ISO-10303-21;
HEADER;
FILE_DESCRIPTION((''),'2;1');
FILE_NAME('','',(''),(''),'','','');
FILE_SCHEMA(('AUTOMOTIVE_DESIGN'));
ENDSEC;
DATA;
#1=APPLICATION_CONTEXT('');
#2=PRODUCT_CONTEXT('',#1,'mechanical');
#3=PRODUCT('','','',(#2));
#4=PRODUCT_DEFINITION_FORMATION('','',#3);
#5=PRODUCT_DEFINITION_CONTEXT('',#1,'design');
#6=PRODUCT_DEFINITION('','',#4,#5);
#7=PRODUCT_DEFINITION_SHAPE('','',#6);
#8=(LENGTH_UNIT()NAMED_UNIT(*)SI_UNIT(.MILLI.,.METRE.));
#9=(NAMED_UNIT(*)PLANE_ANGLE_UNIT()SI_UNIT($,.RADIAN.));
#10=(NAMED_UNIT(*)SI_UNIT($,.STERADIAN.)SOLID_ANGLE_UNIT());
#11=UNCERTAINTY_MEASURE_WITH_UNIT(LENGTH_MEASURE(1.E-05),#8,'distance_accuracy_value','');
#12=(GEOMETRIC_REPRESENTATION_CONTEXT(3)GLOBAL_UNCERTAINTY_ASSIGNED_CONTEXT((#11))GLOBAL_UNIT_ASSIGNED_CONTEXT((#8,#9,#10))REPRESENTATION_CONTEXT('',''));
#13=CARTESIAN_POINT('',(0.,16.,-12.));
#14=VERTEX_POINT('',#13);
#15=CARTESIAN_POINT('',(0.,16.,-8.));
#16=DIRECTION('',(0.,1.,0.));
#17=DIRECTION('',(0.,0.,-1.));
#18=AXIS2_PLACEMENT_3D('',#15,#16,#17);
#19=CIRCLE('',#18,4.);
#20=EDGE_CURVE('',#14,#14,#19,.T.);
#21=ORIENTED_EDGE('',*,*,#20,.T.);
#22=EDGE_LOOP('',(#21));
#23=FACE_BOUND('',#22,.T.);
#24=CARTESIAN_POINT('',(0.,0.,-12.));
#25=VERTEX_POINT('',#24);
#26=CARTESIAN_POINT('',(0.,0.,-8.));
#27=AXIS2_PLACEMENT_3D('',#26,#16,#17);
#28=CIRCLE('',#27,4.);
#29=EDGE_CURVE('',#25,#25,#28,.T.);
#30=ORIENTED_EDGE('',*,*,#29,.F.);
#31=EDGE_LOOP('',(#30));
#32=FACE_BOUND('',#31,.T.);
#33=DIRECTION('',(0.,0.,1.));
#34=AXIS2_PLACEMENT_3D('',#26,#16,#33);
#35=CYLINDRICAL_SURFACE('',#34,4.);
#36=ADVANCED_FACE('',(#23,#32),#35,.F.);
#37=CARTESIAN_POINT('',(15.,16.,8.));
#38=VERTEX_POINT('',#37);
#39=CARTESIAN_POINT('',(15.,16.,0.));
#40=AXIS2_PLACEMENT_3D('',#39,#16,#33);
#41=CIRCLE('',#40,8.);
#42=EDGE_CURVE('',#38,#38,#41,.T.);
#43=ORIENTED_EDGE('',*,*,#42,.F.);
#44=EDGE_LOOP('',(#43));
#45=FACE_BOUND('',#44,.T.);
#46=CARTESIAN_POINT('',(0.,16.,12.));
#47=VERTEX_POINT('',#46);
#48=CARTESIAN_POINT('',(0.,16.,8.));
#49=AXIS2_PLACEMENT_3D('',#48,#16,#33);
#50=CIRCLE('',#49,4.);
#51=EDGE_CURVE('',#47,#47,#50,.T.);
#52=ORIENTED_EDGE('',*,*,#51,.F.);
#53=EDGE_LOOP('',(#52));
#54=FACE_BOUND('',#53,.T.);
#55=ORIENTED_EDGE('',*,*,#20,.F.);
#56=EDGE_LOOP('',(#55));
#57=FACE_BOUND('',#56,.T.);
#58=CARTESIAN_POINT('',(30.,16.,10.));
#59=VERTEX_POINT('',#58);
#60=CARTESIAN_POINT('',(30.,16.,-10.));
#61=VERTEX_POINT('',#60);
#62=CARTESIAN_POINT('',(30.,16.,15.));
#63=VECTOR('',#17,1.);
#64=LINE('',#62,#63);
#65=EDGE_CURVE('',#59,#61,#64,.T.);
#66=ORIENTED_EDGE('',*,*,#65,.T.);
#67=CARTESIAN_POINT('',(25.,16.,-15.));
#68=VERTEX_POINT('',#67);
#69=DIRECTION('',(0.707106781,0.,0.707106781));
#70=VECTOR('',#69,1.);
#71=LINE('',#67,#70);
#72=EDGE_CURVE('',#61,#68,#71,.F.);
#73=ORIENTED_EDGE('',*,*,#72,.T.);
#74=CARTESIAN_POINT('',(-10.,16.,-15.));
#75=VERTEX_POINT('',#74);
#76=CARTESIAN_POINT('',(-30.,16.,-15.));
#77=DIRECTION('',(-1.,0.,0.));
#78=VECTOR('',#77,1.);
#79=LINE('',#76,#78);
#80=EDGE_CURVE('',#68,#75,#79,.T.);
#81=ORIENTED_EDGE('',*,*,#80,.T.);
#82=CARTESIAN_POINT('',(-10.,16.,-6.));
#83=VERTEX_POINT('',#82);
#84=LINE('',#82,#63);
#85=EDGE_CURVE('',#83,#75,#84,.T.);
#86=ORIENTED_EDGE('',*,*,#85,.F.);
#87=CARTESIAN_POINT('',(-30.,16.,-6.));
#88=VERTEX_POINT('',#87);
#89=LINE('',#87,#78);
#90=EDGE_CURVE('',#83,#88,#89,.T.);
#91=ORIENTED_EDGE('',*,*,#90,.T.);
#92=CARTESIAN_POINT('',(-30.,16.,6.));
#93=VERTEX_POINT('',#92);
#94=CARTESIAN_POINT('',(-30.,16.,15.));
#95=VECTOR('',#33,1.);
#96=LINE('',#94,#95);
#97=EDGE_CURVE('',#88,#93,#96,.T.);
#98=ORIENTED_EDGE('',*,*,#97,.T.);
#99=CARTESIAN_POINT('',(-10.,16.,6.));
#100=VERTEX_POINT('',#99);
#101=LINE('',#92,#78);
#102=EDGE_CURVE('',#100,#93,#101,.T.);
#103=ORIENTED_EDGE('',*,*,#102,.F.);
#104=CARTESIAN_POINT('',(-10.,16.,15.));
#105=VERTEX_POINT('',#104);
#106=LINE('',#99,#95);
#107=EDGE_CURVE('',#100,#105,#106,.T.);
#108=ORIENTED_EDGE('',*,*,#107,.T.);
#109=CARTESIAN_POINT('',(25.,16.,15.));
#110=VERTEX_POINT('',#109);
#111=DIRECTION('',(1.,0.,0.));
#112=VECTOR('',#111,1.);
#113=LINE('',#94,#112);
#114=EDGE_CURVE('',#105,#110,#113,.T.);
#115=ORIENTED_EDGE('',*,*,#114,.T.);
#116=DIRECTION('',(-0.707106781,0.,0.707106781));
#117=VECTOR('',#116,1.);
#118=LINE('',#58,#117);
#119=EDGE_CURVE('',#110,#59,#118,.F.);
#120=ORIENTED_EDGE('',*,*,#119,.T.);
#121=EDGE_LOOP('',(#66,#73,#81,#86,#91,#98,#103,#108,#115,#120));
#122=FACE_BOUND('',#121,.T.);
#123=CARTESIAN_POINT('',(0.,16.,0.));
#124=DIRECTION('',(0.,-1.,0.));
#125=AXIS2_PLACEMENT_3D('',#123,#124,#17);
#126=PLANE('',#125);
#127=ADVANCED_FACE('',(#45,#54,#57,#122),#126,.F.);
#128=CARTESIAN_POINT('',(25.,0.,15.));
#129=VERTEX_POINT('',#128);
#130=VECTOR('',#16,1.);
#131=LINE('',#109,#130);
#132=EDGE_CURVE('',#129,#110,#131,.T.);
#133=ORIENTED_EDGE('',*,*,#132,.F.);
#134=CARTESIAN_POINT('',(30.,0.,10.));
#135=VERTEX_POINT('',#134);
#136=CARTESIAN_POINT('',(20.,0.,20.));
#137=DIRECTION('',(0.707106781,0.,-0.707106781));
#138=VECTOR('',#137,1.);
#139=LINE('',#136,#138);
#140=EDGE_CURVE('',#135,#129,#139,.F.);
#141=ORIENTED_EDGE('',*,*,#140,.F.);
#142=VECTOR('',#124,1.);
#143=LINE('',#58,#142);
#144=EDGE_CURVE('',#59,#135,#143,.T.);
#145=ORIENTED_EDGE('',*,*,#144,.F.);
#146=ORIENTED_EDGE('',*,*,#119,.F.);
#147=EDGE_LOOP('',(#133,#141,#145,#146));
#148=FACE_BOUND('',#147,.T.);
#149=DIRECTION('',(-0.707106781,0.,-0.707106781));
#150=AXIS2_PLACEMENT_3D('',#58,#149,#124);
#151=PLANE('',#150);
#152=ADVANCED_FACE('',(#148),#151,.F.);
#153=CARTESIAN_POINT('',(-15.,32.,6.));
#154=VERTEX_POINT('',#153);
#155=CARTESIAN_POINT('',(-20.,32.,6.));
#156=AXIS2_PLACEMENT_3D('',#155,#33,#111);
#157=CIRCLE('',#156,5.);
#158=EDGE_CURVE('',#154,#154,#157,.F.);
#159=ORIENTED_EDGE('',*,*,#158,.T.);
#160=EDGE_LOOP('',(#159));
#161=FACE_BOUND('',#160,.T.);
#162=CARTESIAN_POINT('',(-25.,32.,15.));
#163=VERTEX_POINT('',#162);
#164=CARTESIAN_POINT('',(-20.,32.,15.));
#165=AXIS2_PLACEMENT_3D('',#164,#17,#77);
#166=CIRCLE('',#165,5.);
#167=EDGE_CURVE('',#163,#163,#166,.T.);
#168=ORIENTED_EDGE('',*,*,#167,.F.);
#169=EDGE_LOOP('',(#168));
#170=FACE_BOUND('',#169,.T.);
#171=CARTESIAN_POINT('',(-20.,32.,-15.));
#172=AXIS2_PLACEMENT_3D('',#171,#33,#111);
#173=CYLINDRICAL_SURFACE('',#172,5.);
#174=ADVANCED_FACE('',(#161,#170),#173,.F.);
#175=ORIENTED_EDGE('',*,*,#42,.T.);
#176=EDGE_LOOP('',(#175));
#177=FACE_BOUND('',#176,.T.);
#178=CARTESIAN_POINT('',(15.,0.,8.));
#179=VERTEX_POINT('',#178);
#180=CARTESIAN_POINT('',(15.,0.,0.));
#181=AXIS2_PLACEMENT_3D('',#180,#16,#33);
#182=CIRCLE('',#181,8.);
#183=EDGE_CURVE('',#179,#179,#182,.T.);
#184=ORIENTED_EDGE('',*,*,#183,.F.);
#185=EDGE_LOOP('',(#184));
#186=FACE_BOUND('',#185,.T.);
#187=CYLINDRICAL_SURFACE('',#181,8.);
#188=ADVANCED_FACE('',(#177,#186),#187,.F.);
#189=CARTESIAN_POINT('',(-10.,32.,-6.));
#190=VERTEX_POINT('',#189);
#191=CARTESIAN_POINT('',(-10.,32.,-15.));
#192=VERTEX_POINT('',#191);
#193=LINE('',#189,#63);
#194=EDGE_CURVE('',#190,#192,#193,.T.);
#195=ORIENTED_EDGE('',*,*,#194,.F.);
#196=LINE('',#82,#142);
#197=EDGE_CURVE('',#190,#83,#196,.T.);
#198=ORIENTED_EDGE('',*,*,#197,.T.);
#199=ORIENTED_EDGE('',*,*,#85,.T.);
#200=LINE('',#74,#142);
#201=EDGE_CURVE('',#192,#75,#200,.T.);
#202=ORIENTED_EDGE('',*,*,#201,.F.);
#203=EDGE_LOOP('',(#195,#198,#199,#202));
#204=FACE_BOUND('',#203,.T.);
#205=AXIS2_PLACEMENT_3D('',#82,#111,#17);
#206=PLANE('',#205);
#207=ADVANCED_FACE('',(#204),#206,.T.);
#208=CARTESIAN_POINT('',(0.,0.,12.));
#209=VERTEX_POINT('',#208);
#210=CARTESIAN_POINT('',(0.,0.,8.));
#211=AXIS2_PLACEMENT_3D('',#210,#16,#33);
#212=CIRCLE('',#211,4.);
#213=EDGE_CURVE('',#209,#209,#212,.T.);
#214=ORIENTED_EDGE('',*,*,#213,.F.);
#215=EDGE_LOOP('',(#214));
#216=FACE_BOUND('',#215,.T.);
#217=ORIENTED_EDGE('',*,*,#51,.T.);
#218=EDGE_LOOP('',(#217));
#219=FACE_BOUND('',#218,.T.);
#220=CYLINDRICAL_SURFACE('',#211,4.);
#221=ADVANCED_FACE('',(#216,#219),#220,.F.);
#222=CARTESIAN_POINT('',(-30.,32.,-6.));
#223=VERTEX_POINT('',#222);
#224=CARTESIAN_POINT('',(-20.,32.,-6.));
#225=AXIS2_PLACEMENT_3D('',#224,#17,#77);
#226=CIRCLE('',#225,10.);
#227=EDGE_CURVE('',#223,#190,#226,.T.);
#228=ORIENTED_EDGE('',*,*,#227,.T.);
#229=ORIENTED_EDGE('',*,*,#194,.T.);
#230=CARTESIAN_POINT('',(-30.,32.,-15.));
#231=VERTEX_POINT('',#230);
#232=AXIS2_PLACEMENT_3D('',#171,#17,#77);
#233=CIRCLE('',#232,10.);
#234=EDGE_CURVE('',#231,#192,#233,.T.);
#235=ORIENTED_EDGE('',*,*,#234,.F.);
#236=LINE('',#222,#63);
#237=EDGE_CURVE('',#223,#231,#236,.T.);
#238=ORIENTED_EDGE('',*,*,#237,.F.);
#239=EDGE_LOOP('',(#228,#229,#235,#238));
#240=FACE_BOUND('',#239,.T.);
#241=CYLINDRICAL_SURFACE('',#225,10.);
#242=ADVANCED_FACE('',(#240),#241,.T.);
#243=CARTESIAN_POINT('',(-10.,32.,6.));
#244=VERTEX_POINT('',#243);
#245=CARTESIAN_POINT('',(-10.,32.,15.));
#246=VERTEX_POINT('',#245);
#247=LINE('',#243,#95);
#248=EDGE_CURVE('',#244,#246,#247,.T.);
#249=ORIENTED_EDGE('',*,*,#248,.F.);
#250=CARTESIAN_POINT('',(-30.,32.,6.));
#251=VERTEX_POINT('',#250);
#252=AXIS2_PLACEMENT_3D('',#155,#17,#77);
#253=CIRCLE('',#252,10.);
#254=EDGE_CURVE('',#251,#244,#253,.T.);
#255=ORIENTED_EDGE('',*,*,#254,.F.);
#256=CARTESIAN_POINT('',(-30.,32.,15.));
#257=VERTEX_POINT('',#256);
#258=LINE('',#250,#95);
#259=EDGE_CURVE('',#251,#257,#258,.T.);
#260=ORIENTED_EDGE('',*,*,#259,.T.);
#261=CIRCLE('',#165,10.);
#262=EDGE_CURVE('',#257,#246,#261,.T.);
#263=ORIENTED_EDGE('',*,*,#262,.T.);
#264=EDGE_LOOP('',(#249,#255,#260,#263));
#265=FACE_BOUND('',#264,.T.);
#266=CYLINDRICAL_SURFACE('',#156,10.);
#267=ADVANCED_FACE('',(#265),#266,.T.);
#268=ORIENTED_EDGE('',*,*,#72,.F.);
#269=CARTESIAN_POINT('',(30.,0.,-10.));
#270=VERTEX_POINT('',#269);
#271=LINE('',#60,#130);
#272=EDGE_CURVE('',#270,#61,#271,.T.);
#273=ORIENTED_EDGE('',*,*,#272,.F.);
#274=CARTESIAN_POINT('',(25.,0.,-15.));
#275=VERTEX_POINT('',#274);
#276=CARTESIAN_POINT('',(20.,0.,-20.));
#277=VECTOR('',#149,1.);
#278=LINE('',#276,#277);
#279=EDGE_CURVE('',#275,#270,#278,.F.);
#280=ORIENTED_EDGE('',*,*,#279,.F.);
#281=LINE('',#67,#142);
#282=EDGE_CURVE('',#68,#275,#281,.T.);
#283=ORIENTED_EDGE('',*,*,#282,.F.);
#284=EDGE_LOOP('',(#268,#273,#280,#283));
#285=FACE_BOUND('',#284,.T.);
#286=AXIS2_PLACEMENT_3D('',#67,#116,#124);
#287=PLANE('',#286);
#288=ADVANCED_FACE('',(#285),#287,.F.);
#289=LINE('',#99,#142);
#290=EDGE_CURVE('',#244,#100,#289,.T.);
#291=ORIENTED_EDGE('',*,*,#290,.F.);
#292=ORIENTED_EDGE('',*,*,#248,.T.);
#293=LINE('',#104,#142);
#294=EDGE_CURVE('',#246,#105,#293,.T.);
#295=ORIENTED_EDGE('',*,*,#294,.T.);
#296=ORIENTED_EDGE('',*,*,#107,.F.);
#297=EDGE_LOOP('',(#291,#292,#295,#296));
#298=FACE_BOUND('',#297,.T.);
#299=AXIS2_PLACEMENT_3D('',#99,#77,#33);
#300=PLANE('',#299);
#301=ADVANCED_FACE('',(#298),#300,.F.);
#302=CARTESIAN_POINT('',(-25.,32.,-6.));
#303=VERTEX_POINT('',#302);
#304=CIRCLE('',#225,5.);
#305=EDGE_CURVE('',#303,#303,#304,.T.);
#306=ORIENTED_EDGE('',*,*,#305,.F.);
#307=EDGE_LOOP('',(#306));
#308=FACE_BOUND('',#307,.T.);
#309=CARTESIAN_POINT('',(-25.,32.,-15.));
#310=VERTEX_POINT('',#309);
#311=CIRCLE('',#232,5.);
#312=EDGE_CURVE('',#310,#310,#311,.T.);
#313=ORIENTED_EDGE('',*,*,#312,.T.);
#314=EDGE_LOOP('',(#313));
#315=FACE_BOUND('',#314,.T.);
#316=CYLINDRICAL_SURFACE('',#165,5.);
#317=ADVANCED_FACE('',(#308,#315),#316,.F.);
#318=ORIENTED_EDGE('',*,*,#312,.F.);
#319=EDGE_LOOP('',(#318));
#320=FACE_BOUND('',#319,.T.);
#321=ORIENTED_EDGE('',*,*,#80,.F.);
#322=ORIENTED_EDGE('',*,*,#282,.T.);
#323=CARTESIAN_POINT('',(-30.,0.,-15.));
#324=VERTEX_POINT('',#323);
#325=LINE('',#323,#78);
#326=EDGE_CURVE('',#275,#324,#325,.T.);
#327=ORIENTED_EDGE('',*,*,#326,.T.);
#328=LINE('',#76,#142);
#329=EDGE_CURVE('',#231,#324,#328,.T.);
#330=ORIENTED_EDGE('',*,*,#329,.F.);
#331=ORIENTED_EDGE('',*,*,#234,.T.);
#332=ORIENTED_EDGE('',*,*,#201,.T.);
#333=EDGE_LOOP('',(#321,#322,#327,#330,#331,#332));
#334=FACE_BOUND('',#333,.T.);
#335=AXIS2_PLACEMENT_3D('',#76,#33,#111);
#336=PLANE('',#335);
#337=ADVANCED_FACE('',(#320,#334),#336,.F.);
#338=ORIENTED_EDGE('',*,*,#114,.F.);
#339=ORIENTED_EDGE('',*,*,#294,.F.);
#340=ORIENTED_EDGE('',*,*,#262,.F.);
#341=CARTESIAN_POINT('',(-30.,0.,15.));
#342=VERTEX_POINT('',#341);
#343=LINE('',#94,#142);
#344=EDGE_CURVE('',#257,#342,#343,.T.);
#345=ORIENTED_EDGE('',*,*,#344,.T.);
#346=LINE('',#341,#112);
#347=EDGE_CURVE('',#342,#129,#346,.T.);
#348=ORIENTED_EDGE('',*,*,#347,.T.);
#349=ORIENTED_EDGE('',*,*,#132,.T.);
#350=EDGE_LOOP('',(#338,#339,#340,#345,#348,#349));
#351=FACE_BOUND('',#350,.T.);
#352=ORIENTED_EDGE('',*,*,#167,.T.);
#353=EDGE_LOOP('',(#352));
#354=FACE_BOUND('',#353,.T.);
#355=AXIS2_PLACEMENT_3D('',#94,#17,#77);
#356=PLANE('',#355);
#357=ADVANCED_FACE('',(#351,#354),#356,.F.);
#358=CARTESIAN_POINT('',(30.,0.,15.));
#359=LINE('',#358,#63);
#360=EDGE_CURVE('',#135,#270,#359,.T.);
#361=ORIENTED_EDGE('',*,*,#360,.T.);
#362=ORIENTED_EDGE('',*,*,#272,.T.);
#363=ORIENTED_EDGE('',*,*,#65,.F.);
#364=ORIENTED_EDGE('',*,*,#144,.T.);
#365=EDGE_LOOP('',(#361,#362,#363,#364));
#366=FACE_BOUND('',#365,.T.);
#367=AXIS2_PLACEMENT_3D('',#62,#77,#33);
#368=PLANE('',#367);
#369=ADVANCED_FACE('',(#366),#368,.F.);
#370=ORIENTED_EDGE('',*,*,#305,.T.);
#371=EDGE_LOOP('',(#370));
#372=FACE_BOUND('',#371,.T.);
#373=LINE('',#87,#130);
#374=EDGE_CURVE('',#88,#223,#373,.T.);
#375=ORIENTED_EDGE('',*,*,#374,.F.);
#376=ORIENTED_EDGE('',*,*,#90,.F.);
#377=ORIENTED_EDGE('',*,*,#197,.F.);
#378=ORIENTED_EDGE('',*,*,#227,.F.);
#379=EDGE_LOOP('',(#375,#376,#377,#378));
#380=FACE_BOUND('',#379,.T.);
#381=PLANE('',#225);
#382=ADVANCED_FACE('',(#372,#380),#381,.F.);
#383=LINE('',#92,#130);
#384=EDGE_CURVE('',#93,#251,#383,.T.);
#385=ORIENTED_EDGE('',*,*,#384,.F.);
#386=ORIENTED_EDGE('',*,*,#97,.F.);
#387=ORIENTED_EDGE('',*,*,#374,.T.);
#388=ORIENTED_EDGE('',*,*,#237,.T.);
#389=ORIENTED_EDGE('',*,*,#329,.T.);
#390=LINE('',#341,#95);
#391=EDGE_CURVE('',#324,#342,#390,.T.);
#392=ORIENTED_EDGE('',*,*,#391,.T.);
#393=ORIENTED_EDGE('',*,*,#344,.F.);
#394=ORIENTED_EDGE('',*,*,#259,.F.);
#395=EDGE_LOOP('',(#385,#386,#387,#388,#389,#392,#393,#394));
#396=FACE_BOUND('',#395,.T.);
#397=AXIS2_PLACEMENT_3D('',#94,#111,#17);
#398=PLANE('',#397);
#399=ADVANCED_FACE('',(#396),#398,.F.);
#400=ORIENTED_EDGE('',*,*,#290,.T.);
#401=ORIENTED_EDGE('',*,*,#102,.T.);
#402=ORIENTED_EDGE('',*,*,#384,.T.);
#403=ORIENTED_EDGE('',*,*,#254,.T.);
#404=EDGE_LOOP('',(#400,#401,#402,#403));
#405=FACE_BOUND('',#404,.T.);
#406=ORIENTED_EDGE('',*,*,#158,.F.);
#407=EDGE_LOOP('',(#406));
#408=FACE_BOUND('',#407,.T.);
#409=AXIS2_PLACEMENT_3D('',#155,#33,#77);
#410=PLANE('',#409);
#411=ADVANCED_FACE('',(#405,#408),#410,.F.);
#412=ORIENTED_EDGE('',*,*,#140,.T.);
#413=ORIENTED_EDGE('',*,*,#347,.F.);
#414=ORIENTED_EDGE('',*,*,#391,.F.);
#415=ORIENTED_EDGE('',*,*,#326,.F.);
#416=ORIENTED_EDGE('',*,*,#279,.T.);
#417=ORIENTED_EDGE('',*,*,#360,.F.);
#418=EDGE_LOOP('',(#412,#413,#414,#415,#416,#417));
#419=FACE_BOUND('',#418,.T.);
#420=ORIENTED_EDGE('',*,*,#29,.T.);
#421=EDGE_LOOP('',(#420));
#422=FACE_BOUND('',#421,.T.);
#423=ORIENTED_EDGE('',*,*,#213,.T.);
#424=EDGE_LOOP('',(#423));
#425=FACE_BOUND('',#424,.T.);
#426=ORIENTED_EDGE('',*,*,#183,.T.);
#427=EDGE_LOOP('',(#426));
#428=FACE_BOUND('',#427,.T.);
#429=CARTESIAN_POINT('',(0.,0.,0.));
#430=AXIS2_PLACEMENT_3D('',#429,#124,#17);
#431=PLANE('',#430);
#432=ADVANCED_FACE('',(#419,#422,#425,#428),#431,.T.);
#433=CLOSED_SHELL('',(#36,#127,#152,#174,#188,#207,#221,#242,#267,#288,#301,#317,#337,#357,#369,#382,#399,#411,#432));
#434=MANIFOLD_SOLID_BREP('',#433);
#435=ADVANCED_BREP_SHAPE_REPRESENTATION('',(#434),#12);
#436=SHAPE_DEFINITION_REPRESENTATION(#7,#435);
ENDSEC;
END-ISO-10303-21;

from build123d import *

# Parameters (mm, degrees)
SKETCH2_W           = 60
SKETCH2_H           = 30
BOSS_EXTRUDE1_DEPTH = 16
BOSS_EXTRUDE2_DEPTH = 9
SKETCH4_R           = 5
CUT_EXTRUDE1_DEPTH  = 60.699246226
SKETCH5_R           = 8
SKETCH5_R_2         = 4
CUT_EXTRUDE2_DEPTH  = 43.438190348
CHAMFER1_SIZE       = 5


with BuildPart() as part:
    # Sketch2 → Boss-Extrude1 (new body)
    with BuildSketch(Plane(origin=(0, 0, 0), x_dir=(1, 0, 0), z_dir=(0, 1, 0))):
        Rectangle(SKETCH2_W, SKETCH2_H)
    extrude(amount=BOSS_EXTRUDE1_DEPTH)

    # Sketch3 → Boss-Extrude2 (add)
    with BuildSketch(Plane(origin=(0, 0, -15), x_dir=(-1, 0, 0), z_dir=(0, 0, -1))):
        with BuildLine():
            Line((30, 16), (10, 16))
            Line((10, 16), (10, 32))
            ThreePointArc((10, 32), (20, 42), (30, 32))
            Line((30, 32), (30, 16))
        make_face()
    boss_extrude2 = extrude(amount=-BOSS_EXTRUDE2_DEPTH)

    # Sketch4 → Cut-Extrude1 (cut, through all)
    with BuildSketch(Plane(origin=(0, 0, -15), x_dir=(-1, 0, 0), z_dir=(0, 0, -1))):
        with Locations((20, 32)):
            Circle(SKETCH4_R)
    cut_extrude1 = extrude(amount=-CUT_EXTRUDE1_DEPTH, mode=Mode.SUBTRACT)

    # Mirror1: Boss-Extrude2, Cut-Extrude1 across plane
    add(boss_extrude2.mirror(Plane.XY))
    add(cut_extrude1.mirror(Plane.XY), mode=Mode.SUBTRACT)

    # Sketch5 → Cut-Extrude2 (cut, through all)
    with BuildSketch(Plane(origin=(0, 16, 0), x_dir=(1, 0, 0), z_dir=(0, 1, 0))):
        with Locations(Location((15, 0, 0), (0, 0, 270))):
            Circle(SKETCH5_R)
        with Locations(Location((0, -8, 0), (0, 0, 270))):
            Circle(SKETCH5_R_2)
        with Locations(Location((0, 8, 0), (0, 0, 90))):
            Circle(SKETCH5_R_2)
    extrude(amount=-CUT_EXTRUDE2_DEPTH, mode=Mode.SUBTRACT)

    # Chamfer1
    chamfer1_edges = [part.edges().sort_by_distance(p)[0] for p in [
        (30, 8, 15),
        (30, 8, -15),
    ]]
    chamfer(chamfer1_edges, length=CHAMFER1_SIZE)


solid = part.part
